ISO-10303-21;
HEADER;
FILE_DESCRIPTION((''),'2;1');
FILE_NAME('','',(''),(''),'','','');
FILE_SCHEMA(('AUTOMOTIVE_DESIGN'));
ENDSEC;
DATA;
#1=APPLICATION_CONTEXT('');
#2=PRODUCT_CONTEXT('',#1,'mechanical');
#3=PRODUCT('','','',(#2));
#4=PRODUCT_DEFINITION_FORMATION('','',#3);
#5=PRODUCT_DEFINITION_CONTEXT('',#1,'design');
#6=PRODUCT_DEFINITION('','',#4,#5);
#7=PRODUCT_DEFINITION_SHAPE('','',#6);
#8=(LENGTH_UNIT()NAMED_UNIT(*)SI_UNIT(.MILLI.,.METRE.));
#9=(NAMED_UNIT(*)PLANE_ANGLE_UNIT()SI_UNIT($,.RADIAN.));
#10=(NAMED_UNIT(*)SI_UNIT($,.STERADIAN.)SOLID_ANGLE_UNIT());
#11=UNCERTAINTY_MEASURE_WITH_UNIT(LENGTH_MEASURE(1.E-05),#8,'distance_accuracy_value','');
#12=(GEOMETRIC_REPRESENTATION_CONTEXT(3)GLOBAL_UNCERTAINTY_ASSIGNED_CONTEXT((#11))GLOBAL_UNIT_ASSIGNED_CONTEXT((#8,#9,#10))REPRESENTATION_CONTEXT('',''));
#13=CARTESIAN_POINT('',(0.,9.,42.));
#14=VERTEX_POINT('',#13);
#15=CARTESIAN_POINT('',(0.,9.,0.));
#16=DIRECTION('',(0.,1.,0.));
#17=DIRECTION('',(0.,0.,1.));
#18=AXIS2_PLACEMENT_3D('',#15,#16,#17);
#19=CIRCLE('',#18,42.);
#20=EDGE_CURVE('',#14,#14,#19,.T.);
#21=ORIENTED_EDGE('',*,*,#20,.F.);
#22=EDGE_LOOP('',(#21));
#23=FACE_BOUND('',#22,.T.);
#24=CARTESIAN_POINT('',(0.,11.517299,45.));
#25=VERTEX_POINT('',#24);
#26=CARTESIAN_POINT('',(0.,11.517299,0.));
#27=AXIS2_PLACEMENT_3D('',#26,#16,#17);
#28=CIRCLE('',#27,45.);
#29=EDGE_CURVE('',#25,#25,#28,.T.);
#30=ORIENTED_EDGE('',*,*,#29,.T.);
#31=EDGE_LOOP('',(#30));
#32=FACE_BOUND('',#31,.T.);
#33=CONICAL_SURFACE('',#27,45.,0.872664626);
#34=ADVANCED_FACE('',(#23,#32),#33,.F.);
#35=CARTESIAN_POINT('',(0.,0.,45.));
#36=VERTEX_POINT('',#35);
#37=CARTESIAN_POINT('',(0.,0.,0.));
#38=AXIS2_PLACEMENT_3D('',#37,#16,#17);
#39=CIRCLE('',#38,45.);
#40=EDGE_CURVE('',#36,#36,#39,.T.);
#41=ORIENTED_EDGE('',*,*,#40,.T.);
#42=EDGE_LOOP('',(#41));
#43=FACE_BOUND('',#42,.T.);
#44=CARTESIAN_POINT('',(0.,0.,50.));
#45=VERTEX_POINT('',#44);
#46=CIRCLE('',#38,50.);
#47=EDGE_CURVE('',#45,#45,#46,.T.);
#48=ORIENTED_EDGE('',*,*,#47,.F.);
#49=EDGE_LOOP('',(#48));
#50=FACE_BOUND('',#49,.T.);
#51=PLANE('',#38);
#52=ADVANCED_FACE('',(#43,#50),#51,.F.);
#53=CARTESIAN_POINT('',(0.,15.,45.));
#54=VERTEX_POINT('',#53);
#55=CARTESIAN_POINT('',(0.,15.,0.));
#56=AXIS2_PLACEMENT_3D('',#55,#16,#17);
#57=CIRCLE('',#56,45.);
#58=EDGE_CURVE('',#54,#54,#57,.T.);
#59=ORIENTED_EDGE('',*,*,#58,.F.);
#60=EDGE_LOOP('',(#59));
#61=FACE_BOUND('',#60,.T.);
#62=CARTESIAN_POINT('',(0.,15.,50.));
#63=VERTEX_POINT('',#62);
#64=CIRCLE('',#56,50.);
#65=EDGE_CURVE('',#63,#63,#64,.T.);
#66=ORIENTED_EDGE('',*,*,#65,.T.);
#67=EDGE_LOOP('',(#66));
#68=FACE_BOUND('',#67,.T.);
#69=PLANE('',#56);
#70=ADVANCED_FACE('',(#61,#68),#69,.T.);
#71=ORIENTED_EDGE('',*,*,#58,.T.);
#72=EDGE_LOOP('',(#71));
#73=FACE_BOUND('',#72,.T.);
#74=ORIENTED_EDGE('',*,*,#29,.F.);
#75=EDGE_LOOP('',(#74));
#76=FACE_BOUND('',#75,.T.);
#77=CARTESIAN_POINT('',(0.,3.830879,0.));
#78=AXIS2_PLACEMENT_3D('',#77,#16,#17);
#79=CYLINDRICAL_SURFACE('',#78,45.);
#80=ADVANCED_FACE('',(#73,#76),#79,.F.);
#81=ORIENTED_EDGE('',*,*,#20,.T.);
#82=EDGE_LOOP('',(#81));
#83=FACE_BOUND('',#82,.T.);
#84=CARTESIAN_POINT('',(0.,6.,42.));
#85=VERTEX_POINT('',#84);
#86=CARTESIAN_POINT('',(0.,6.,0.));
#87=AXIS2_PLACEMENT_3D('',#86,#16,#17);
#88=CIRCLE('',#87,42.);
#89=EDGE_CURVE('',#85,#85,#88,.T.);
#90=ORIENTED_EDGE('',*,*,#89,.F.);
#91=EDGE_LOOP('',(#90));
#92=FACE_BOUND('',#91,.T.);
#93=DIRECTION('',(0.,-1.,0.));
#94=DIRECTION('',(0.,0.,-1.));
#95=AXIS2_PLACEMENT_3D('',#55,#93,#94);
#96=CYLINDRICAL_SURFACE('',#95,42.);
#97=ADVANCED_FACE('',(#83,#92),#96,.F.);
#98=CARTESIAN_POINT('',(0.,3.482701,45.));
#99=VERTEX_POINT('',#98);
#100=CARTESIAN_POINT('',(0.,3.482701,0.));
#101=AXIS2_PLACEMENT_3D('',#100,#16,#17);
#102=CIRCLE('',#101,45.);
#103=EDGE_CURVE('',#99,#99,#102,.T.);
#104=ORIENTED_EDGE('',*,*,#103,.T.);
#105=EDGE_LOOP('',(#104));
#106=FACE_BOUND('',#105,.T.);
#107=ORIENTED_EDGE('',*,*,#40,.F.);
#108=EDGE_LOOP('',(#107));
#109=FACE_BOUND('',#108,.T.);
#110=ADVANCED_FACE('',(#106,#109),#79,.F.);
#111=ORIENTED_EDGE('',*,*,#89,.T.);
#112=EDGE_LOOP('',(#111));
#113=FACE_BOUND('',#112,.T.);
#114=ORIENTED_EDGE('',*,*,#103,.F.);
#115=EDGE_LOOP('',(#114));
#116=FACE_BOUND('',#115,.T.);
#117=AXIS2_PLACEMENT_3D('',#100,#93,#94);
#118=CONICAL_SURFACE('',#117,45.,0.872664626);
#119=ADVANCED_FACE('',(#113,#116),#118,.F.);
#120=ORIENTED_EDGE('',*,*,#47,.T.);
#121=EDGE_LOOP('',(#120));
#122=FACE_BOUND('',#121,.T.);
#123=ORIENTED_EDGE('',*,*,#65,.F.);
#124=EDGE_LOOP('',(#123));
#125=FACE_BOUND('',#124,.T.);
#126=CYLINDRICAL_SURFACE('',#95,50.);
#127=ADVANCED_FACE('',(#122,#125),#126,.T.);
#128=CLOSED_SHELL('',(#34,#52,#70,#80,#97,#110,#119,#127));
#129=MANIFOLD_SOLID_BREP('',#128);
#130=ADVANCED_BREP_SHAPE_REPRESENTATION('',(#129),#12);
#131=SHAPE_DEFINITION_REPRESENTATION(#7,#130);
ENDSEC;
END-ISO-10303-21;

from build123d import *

# Parameters (mm, degrees)
CROQUIS1_R              = 50
CROQUIS1_R_2            = 42
SALIENTE_EXTRUIR1_DEPTH = 15


with BuildPart() as part:
    # Croquis1 → Saliente-Extruir1 (new body)
    with BuildSketch(Plane(origin=(0, 0, 0), x_dir=(1, 0, 0), z_dir=(0, 1, 0))):
        with Locations(Location((0, 0, 0), (0, 0, 270))):
            Circle(CROQUIS1_R)
        with Locations(Location((0, 0, 0), (0, 0, 270))):
            Circle(CROQUIS1_R_2, mode=Mode.SUBTRACT)
    extrude(amount=SALIENTE_EXTRUIR1_DEPTH)

    # Croquis3 → Cortar-Revolución1 (revolve, cut)
    with BuildSketch(Plane.XY, mode=Mode.PRIVATE) as cortar_revoluci_n1_sk:
        Polygon((-45, 11.517298894), (-42, 9), (-42, 15), (-45, 15), align=None)
        Polygon((-45, 0), (-42, 0), (-42, 6), (-45, 3.482701106), align=None)
    revolve(cortar_revoluci_n1_sk.sketch.rotate(Axis((0, 3.82587886, 0), (0, -1, 0)), 270), axis=Axis((0, 3.82587886, 0), (0, -1, 0)), mode=Mode.SUBTRACT)


solid = part.part
